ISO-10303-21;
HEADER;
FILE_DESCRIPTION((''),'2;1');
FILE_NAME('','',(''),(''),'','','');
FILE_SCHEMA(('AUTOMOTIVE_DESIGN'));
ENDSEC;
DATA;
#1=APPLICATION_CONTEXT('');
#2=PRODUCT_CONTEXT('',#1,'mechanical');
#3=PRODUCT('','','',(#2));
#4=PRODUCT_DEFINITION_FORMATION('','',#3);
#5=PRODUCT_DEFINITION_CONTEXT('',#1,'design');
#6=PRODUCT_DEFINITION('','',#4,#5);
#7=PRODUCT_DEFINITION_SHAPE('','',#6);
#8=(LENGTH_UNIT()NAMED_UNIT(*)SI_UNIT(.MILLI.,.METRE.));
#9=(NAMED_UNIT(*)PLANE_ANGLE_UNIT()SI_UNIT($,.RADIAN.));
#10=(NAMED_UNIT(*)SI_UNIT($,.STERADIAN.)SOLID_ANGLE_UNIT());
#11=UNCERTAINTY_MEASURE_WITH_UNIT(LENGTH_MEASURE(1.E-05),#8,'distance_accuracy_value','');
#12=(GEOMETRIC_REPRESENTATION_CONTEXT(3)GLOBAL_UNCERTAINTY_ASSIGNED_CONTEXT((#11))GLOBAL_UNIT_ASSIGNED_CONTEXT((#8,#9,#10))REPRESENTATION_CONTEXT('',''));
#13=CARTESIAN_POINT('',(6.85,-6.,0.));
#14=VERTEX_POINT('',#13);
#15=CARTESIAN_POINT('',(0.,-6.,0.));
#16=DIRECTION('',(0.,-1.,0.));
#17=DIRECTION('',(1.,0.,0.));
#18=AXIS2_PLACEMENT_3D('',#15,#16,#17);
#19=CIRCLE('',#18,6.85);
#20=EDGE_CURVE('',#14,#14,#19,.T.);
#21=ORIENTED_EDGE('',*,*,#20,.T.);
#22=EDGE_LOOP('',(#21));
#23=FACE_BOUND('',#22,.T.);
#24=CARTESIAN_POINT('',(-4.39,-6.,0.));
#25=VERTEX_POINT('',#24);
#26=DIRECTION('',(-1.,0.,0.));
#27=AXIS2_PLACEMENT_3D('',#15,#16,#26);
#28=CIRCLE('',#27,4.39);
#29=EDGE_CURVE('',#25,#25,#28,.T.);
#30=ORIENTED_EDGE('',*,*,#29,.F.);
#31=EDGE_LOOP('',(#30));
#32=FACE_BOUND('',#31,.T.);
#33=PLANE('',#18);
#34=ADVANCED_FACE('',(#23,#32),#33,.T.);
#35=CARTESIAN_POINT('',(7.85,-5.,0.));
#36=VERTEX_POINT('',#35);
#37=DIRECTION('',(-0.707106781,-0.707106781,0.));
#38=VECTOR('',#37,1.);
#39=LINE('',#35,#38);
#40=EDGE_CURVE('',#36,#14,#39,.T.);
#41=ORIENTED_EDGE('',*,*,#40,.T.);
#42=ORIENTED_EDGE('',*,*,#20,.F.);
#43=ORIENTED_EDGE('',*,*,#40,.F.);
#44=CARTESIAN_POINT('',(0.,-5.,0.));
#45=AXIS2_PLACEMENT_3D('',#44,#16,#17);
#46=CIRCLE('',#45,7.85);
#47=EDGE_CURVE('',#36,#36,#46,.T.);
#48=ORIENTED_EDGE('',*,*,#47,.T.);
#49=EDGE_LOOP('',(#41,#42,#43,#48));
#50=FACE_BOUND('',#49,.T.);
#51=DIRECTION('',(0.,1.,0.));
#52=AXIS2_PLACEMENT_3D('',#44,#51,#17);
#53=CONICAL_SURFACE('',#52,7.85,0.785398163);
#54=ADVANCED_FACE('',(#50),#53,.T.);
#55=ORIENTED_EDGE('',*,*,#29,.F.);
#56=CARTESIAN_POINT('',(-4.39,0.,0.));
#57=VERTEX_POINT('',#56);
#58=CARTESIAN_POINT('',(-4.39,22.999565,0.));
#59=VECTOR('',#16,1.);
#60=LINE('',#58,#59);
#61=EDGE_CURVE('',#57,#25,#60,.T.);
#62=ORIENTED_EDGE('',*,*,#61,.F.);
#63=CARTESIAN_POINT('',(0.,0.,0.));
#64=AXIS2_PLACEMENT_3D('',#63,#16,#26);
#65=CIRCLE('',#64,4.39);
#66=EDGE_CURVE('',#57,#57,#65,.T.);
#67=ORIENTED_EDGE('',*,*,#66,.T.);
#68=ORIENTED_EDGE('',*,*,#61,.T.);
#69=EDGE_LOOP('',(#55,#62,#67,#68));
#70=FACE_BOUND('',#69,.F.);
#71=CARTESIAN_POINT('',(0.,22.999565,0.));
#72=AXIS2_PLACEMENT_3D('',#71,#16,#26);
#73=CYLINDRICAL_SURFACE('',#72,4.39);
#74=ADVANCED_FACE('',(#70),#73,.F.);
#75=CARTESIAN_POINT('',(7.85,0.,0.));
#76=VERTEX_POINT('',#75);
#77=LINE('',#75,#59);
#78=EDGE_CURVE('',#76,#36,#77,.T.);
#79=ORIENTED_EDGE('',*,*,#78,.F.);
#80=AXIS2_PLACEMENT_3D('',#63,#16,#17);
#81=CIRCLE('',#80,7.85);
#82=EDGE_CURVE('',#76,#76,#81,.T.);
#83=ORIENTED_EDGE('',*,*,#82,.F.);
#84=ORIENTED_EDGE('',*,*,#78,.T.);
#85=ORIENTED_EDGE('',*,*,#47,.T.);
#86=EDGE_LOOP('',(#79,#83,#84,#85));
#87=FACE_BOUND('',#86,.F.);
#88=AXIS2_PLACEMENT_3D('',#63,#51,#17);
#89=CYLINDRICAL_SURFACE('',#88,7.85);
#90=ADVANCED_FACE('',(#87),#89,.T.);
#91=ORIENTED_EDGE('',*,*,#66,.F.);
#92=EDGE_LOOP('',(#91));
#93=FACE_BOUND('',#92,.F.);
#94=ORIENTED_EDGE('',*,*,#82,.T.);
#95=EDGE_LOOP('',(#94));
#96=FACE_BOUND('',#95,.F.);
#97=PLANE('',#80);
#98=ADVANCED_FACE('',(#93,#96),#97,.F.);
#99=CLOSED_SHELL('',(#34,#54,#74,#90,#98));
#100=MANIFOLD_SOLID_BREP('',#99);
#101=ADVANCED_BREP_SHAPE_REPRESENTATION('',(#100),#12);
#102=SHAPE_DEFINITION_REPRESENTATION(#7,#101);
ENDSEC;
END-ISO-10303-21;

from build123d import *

# Parameters (mm, degrees)
F0_R     = 7.85
F2_DEPTH = 6
F3_D     = 8.78
F4_SIZE  = 1


with BuildPart() as f2:
    # F0 (on Front) → F2 (new body)
    with BuildSketch(Plane.XZ):
        Circle(F0_R)
    extrude(amount=F2_DEPTH)

    # F3 (through all)
    with Locations(Plane(origin=(0, 0, 0), x_dir=(1, 0, 0), z_dir=(0, 1, 0))):
        with Locations((0, 0)):
            Hole(F3_D / 2)

    # F4
    f4_edges = [f2.edges().sort_by_distance(p)[0] for p in [
        (-7.85, -6, 0),
    ]]
    chamfer(f4_edges, length=F4_SIZE)


solid = f2.part
